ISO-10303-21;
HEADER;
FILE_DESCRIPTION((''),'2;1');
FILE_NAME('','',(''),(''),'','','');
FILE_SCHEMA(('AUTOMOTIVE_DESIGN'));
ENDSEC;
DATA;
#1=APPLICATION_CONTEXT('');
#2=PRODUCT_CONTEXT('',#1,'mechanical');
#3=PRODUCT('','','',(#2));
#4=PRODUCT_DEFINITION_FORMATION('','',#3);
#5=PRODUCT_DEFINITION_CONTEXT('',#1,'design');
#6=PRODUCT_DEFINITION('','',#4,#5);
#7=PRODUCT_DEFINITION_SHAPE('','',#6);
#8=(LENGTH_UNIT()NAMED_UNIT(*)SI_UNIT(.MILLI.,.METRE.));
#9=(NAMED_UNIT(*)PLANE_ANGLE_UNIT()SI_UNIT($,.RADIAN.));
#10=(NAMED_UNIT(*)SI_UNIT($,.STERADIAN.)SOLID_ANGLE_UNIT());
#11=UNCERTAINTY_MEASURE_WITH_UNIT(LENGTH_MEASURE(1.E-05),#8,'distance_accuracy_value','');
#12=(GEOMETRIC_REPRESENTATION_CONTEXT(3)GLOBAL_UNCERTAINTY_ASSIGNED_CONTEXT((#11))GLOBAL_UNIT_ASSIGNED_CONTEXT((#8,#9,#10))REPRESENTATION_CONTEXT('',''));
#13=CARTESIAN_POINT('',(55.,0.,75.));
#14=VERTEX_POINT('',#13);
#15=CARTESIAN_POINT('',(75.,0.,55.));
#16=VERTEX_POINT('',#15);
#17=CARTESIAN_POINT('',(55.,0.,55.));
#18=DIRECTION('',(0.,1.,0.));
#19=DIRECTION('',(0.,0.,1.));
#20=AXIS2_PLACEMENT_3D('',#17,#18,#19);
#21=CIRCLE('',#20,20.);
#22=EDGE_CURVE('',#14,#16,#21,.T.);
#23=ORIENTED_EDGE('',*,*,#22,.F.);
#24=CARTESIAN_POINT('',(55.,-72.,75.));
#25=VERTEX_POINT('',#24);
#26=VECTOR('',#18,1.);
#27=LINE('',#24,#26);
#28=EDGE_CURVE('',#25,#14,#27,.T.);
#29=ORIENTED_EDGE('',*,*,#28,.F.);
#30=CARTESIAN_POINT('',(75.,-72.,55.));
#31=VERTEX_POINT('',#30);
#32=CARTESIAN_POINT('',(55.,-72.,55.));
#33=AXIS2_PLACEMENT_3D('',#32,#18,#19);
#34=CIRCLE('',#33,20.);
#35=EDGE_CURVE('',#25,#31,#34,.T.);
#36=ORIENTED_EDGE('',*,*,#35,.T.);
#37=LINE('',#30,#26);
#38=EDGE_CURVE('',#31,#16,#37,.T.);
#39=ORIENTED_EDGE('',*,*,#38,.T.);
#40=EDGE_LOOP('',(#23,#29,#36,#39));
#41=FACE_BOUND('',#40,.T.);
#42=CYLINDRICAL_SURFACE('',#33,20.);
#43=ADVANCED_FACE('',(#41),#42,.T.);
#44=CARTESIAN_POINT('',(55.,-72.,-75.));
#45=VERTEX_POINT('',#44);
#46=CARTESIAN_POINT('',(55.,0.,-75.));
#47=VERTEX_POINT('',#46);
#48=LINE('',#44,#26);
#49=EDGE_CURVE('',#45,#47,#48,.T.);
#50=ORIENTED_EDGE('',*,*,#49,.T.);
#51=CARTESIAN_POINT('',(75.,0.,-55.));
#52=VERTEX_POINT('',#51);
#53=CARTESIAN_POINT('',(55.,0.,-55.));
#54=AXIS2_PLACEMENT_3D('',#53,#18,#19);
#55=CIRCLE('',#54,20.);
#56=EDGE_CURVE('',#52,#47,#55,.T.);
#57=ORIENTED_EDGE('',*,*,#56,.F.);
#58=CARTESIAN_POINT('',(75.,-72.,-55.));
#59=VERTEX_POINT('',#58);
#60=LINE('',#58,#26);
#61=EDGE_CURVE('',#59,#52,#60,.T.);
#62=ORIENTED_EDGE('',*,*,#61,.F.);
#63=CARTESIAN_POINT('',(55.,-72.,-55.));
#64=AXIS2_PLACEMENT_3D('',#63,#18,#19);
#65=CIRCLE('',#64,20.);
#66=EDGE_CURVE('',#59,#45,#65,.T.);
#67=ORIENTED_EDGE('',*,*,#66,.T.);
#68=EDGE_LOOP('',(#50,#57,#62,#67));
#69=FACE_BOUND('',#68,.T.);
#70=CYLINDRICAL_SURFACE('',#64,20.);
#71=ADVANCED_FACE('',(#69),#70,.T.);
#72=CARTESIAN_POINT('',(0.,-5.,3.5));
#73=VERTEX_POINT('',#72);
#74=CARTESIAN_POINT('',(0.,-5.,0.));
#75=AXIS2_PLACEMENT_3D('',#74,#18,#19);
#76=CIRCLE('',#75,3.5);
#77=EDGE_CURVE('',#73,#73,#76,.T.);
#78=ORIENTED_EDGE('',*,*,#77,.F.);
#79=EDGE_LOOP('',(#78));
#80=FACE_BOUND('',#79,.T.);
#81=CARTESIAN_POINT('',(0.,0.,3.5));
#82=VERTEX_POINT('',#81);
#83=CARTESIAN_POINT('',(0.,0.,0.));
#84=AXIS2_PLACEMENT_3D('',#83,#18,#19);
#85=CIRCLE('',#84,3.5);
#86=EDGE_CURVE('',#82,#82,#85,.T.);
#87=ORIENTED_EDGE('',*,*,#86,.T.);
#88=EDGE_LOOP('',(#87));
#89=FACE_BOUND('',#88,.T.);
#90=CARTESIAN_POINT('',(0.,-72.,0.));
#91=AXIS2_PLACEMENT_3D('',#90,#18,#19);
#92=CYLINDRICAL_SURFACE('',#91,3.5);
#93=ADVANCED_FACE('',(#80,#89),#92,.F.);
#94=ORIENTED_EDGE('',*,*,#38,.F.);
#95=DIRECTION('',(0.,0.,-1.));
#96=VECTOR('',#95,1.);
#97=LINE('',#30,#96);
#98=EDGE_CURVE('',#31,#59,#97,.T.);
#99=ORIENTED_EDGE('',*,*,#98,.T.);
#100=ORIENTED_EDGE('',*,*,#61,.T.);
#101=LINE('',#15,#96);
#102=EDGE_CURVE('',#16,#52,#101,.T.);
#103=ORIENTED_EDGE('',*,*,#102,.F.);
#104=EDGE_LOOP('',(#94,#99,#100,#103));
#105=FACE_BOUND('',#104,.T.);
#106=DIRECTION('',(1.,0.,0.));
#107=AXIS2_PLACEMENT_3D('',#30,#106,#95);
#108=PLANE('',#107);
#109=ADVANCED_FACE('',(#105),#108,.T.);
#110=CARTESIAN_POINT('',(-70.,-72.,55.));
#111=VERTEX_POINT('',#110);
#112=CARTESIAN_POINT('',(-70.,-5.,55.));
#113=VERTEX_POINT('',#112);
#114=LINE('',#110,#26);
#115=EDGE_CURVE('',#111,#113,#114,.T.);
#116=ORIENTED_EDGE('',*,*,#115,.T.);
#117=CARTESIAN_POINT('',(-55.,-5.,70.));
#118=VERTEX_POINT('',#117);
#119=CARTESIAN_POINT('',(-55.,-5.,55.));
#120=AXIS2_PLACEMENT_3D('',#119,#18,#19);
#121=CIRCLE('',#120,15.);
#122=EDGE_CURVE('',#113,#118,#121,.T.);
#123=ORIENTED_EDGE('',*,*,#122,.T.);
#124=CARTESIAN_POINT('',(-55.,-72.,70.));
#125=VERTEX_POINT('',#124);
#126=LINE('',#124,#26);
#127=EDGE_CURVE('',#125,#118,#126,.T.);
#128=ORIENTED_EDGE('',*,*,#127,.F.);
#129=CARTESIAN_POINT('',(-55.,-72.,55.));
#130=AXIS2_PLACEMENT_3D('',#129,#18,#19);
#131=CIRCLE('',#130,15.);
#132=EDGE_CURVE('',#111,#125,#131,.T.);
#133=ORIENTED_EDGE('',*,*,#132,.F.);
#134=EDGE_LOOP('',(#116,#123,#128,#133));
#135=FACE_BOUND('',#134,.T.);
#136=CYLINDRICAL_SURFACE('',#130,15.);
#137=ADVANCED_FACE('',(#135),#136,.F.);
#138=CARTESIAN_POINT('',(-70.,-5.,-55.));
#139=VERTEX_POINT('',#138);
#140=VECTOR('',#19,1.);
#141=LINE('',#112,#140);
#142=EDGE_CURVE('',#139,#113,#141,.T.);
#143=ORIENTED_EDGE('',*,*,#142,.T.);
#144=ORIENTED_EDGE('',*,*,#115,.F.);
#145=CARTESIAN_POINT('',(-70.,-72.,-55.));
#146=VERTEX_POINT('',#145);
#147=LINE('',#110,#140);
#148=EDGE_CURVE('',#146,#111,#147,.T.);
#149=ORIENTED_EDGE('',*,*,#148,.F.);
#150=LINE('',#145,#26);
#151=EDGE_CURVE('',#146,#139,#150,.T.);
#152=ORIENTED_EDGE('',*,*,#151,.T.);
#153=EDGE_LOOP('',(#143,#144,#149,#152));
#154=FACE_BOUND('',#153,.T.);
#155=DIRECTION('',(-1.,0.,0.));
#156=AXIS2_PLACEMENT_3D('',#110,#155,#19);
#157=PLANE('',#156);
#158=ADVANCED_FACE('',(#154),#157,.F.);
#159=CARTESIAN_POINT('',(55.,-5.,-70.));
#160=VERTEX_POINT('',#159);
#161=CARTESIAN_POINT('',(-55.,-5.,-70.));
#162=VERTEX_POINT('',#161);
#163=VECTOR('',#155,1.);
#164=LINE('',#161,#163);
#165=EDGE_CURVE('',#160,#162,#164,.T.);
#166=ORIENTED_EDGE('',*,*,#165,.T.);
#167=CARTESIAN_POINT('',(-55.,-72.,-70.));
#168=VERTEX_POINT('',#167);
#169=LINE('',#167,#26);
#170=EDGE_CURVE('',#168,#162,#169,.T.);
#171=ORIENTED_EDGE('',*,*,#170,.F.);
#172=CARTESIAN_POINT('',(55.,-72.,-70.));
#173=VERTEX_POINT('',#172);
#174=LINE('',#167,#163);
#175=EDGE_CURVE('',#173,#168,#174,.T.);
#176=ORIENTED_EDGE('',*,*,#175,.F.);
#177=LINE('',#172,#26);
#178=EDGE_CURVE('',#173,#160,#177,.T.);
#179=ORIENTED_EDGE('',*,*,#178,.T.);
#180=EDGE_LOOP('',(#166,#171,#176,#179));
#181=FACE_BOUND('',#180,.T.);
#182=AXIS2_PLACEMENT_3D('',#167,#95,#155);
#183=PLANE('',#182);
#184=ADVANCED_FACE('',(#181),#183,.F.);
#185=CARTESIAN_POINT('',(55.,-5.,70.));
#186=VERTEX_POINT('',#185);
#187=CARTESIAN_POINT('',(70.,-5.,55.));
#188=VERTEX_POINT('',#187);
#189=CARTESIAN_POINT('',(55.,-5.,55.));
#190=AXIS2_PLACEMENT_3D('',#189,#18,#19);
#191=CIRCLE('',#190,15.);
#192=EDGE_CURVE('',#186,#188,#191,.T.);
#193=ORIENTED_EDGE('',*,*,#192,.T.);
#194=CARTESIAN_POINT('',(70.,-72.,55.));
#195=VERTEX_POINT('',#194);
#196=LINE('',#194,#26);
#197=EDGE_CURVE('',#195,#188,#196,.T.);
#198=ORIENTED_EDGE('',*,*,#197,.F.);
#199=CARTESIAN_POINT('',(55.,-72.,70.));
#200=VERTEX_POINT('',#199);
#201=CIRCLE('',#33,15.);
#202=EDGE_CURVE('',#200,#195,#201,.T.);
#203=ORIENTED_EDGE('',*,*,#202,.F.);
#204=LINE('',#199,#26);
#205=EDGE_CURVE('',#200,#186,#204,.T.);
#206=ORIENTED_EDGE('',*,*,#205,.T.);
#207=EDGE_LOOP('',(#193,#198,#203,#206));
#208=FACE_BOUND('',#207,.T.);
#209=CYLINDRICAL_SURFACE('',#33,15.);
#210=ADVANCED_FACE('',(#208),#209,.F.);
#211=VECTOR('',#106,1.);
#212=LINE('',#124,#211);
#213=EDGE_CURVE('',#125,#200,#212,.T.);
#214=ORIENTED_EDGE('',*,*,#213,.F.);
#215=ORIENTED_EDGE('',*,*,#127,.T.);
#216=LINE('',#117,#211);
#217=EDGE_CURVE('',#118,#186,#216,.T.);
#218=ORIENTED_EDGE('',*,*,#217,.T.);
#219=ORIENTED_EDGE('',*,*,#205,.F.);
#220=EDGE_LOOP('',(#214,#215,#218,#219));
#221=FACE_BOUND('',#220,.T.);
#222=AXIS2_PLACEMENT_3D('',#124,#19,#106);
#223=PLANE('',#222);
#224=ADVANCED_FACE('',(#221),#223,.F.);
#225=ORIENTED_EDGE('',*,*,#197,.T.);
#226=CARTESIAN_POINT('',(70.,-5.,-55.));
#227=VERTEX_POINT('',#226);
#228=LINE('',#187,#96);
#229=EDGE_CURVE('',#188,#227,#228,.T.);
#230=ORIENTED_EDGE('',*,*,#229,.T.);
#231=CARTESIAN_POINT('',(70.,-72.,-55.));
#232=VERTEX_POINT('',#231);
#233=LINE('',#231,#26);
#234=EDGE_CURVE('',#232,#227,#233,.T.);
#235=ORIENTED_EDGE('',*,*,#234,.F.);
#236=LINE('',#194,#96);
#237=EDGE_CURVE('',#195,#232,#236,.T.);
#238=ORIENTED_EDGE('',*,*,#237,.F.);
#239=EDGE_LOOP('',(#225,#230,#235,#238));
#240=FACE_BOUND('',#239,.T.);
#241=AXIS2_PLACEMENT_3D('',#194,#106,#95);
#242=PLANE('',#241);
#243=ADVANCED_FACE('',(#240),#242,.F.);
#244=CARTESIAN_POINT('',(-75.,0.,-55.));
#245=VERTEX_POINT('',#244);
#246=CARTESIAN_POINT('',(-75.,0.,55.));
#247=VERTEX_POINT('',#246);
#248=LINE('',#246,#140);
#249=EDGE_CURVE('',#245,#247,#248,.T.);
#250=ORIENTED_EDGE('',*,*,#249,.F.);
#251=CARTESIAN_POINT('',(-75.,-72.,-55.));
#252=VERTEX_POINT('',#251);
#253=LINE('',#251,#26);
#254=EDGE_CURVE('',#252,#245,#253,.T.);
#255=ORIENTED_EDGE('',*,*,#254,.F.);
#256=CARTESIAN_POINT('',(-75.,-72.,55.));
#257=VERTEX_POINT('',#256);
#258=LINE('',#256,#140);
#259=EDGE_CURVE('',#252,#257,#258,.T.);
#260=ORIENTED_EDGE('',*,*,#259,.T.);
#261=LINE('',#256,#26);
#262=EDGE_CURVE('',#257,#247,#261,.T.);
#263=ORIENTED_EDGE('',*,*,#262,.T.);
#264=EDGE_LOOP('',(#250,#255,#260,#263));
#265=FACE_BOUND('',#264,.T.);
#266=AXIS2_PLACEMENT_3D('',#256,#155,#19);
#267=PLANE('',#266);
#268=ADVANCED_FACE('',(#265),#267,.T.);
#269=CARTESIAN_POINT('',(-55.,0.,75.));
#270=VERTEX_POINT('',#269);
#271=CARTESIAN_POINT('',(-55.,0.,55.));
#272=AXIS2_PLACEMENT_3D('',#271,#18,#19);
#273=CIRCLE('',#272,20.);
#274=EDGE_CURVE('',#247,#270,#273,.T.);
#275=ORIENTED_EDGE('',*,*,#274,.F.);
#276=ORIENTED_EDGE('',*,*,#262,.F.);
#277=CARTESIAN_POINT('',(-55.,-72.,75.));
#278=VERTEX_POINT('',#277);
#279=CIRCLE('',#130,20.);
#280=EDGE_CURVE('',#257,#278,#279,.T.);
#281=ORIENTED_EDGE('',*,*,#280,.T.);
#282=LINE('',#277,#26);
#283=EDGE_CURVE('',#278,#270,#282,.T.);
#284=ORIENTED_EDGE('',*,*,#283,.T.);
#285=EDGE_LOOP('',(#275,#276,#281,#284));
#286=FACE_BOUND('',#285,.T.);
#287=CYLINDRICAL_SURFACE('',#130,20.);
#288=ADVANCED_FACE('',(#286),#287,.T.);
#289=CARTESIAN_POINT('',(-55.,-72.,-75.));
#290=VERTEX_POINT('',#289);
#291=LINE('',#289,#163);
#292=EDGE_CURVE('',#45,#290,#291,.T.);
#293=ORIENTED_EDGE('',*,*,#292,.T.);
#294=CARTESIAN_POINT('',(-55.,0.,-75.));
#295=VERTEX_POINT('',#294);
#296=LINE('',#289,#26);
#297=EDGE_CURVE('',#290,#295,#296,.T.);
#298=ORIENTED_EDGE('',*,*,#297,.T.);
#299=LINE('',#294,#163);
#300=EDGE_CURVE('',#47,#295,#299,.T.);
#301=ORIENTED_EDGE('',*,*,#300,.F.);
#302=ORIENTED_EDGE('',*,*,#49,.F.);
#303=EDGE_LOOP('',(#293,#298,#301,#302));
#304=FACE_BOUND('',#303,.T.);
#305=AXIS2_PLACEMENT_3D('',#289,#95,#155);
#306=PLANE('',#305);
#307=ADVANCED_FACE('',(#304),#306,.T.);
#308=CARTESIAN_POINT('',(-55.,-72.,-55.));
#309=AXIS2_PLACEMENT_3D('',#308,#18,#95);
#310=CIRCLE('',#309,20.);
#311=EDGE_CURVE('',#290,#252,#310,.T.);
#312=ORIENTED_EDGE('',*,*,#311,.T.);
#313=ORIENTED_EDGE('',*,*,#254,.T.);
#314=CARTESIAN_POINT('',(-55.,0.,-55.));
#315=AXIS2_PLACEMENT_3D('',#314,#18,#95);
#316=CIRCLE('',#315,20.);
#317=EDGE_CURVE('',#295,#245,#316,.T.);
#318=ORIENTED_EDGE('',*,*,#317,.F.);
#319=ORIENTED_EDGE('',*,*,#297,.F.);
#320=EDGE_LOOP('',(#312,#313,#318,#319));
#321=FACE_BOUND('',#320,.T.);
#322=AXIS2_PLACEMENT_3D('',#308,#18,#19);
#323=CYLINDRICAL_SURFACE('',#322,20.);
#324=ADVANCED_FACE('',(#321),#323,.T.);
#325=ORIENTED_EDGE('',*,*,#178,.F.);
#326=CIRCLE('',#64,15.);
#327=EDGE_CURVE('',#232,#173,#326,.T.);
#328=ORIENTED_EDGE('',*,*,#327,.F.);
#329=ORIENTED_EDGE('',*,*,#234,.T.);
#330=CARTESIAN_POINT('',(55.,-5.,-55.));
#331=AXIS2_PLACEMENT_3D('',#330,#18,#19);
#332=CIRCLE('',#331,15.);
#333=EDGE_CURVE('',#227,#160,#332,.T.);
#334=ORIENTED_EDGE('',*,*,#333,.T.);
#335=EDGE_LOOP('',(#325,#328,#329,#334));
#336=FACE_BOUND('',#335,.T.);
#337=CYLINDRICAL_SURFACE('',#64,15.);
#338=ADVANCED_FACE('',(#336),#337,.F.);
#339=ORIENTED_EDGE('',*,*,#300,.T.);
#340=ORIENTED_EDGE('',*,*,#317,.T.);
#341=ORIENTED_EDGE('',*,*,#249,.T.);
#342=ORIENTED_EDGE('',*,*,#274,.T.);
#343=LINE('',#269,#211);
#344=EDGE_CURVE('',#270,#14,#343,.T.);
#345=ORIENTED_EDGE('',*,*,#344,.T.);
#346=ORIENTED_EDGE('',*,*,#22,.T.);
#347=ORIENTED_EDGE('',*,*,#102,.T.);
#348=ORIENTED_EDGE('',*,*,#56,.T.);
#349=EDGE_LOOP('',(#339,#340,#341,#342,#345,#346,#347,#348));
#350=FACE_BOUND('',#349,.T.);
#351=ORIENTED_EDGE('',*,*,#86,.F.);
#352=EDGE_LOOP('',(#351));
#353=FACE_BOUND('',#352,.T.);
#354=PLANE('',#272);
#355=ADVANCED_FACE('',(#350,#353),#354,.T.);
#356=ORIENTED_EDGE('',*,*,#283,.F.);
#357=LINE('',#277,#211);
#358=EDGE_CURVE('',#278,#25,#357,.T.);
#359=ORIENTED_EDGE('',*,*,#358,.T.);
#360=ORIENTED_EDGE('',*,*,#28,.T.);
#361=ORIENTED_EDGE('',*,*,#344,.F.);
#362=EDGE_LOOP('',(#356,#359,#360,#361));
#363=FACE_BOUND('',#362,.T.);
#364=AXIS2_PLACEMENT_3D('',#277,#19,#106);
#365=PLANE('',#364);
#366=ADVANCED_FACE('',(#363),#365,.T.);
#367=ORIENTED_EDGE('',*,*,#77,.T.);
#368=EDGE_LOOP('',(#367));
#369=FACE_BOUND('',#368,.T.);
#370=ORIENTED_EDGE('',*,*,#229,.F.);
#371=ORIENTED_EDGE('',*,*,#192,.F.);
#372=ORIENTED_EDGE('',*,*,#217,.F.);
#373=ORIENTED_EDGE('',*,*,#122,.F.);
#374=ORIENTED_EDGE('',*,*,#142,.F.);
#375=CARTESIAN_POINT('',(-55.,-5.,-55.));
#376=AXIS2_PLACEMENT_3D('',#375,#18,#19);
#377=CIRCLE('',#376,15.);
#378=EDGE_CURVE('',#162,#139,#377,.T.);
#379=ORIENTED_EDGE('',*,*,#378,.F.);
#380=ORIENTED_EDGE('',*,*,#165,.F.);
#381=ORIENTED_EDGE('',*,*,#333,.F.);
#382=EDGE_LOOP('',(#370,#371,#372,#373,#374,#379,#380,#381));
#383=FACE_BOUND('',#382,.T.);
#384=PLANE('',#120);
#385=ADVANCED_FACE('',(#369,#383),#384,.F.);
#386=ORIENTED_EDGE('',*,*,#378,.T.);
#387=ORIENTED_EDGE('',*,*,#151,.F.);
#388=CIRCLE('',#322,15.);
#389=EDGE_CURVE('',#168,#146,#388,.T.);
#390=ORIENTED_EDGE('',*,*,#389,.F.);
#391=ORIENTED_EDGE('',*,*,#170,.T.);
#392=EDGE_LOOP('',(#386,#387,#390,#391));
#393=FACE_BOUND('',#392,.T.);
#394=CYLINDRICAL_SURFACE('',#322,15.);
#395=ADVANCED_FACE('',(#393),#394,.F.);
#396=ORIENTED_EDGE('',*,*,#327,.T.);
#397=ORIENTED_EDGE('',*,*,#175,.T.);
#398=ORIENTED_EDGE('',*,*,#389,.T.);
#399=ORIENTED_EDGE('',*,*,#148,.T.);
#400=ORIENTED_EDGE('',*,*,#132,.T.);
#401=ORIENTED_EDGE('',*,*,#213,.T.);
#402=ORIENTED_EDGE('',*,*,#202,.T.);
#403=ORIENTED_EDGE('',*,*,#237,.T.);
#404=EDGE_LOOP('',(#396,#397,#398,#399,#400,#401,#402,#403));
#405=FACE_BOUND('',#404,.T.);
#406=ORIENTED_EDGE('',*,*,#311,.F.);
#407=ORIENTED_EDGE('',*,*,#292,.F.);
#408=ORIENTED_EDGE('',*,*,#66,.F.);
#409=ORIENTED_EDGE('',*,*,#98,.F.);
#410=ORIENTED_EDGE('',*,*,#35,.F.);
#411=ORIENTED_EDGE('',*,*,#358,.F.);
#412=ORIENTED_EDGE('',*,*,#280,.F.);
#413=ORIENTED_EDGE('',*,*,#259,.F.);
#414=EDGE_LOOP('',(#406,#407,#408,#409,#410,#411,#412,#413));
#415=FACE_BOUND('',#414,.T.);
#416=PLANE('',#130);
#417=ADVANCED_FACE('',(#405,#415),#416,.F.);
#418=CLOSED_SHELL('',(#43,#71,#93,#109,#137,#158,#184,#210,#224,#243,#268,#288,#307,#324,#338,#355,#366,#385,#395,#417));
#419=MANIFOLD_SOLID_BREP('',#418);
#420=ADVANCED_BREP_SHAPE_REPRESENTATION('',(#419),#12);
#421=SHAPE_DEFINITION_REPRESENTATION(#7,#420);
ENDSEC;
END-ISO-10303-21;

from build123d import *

# Parameters (mm, degrees)
BASE_WALLS_DEPTH     = 72
BOX_SHELL_T          = -5
SHAFT_HOLE_PROFILE_R = 3.5
CUT_EXTRUDE1_DEPTH   = 129.195163715


with BuildPart() as part:
    # Base Top Face Profile → Base Walls (new body)
    with BuildSketch(Plane(origin=(0, 0, 0), x_dir=(1, 0, 0), z_dir=(0, 1, 0))):
        with BuildLine():
            Line((-55, -75), (55, -75))
            ThreePointArc((55, -75), (69.142135624, -69.142135624), (75, -55))
            Line((75, -55), (75, 55))
            ThreePointArc((75, 55), (69.142135624, 69.142135624), (55, 75))
            Line((55, 75), (-55, 75))
            ThreePointArc((-55, 75), (-69.142135624, 69.142135624), (-75, 55))
            Line((-75, 55), (-75, -55))
            ThreePointArc((-75, -55), (-69.142135624, -69.142135624), (-55, -75))
        make_face()
    extrude(amount=-BASE_WALLS_DEPTH)

    # Box Shell
    box_shell_openings = [part.faces().sort_by_distance(p)[0] for p in [
        (0, -72, 0),
    ]]
    offset(amount=BOX_SHELL_T, openings=box_shell_openings, kind=Kind.INTERSECTION)

    # Shaft Hole Profile → Cut-Extrude1 (cut, through all)
    with BuildSketch(Plane(origin=(0, 0, 0), x_dir=(1, 0, 0), z_dir=(0, 1, 0))):
        with Locations(Location((0, 0, 0), (0, 0, 270))):
            Circle(SHAFT_HOLE_PROFILE_R)
    extrude(amount=-CUT_EXTRUDE1_DEPTH, mode=Mode.SUBTRACT)


solid = part.part
